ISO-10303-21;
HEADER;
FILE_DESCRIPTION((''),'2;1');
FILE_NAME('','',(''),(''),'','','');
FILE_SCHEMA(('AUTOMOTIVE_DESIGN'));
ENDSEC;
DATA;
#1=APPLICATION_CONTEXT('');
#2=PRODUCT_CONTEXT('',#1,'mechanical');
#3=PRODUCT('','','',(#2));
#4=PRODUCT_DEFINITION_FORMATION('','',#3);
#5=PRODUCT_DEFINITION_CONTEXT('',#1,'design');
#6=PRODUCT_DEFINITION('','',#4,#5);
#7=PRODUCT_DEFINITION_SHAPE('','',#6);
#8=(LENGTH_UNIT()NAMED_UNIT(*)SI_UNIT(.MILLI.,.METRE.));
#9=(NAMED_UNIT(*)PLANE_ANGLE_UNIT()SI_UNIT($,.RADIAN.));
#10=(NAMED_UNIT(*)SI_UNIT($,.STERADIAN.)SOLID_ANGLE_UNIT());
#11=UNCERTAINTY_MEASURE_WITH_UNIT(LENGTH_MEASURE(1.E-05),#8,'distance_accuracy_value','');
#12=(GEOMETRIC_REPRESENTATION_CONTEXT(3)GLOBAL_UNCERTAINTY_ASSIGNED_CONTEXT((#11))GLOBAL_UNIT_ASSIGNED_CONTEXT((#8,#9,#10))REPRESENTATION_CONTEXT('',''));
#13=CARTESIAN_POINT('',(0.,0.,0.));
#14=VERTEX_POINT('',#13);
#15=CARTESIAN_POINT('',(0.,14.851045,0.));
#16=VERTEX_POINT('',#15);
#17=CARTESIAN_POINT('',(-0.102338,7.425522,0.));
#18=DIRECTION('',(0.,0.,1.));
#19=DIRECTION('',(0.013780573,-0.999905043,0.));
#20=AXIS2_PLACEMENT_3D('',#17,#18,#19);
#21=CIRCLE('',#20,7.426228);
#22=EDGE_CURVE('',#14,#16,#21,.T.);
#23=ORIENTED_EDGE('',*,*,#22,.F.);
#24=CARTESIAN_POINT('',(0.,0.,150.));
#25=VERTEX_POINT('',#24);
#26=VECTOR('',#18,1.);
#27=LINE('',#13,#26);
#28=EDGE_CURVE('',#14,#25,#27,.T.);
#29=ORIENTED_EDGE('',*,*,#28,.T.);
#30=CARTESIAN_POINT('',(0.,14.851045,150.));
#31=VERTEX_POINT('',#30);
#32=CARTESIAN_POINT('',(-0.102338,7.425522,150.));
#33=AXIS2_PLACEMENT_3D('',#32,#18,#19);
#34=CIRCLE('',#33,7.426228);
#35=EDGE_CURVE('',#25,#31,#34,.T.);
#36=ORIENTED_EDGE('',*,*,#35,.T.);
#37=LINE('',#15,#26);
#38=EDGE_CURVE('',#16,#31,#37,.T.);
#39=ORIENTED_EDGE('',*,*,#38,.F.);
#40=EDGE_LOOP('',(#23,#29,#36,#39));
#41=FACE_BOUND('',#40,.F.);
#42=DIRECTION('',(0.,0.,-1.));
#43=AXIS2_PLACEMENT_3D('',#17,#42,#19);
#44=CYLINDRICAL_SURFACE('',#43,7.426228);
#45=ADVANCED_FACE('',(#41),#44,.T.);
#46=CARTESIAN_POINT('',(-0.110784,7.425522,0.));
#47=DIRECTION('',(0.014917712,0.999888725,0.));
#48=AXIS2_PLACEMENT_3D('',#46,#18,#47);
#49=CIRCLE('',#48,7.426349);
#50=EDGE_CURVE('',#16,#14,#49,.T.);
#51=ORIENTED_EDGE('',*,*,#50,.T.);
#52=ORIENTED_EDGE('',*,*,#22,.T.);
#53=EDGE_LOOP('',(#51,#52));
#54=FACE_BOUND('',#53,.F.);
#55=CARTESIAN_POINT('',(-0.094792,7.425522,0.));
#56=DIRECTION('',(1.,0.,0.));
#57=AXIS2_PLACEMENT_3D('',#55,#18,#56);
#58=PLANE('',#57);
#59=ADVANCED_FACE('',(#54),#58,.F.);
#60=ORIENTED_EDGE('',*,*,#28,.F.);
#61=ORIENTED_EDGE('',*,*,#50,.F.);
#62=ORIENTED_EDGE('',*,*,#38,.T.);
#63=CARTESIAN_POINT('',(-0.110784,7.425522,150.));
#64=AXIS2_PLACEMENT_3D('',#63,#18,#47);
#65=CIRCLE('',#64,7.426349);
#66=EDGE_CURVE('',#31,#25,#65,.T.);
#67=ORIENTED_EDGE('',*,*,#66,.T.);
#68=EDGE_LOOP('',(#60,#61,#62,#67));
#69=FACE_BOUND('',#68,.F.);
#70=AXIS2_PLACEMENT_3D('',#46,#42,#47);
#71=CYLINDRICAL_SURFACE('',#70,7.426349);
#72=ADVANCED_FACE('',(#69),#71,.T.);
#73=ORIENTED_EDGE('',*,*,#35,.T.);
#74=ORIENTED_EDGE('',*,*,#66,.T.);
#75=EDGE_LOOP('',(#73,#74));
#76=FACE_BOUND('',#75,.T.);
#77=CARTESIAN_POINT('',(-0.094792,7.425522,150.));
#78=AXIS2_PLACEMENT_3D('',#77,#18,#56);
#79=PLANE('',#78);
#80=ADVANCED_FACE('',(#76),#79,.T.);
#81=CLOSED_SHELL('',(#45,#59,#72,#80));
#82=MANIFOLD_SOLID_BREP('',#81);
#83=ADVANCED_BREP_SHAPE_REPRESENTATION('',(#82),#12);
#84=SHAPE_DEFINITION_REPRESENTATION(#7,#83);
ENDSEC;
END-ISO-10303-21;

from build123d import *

# Parameters (mm, degrees)
F1_DEPTH = 150


with BuildPart() as f1:
    # F0 (on Top) → F1 (new body)
    with BuildSketch(Plane.XY):
        with BuildLine():
            ThreePointArc((0, 14.851045), (-7.537133, 7.425522), (0, 0))
            ThreePointArc((0, 0), (7.32389, 7.425522), (0, 14.851045))
        make_face()
    extrude(amount=F1_DEPTH)


solid = f1.part
